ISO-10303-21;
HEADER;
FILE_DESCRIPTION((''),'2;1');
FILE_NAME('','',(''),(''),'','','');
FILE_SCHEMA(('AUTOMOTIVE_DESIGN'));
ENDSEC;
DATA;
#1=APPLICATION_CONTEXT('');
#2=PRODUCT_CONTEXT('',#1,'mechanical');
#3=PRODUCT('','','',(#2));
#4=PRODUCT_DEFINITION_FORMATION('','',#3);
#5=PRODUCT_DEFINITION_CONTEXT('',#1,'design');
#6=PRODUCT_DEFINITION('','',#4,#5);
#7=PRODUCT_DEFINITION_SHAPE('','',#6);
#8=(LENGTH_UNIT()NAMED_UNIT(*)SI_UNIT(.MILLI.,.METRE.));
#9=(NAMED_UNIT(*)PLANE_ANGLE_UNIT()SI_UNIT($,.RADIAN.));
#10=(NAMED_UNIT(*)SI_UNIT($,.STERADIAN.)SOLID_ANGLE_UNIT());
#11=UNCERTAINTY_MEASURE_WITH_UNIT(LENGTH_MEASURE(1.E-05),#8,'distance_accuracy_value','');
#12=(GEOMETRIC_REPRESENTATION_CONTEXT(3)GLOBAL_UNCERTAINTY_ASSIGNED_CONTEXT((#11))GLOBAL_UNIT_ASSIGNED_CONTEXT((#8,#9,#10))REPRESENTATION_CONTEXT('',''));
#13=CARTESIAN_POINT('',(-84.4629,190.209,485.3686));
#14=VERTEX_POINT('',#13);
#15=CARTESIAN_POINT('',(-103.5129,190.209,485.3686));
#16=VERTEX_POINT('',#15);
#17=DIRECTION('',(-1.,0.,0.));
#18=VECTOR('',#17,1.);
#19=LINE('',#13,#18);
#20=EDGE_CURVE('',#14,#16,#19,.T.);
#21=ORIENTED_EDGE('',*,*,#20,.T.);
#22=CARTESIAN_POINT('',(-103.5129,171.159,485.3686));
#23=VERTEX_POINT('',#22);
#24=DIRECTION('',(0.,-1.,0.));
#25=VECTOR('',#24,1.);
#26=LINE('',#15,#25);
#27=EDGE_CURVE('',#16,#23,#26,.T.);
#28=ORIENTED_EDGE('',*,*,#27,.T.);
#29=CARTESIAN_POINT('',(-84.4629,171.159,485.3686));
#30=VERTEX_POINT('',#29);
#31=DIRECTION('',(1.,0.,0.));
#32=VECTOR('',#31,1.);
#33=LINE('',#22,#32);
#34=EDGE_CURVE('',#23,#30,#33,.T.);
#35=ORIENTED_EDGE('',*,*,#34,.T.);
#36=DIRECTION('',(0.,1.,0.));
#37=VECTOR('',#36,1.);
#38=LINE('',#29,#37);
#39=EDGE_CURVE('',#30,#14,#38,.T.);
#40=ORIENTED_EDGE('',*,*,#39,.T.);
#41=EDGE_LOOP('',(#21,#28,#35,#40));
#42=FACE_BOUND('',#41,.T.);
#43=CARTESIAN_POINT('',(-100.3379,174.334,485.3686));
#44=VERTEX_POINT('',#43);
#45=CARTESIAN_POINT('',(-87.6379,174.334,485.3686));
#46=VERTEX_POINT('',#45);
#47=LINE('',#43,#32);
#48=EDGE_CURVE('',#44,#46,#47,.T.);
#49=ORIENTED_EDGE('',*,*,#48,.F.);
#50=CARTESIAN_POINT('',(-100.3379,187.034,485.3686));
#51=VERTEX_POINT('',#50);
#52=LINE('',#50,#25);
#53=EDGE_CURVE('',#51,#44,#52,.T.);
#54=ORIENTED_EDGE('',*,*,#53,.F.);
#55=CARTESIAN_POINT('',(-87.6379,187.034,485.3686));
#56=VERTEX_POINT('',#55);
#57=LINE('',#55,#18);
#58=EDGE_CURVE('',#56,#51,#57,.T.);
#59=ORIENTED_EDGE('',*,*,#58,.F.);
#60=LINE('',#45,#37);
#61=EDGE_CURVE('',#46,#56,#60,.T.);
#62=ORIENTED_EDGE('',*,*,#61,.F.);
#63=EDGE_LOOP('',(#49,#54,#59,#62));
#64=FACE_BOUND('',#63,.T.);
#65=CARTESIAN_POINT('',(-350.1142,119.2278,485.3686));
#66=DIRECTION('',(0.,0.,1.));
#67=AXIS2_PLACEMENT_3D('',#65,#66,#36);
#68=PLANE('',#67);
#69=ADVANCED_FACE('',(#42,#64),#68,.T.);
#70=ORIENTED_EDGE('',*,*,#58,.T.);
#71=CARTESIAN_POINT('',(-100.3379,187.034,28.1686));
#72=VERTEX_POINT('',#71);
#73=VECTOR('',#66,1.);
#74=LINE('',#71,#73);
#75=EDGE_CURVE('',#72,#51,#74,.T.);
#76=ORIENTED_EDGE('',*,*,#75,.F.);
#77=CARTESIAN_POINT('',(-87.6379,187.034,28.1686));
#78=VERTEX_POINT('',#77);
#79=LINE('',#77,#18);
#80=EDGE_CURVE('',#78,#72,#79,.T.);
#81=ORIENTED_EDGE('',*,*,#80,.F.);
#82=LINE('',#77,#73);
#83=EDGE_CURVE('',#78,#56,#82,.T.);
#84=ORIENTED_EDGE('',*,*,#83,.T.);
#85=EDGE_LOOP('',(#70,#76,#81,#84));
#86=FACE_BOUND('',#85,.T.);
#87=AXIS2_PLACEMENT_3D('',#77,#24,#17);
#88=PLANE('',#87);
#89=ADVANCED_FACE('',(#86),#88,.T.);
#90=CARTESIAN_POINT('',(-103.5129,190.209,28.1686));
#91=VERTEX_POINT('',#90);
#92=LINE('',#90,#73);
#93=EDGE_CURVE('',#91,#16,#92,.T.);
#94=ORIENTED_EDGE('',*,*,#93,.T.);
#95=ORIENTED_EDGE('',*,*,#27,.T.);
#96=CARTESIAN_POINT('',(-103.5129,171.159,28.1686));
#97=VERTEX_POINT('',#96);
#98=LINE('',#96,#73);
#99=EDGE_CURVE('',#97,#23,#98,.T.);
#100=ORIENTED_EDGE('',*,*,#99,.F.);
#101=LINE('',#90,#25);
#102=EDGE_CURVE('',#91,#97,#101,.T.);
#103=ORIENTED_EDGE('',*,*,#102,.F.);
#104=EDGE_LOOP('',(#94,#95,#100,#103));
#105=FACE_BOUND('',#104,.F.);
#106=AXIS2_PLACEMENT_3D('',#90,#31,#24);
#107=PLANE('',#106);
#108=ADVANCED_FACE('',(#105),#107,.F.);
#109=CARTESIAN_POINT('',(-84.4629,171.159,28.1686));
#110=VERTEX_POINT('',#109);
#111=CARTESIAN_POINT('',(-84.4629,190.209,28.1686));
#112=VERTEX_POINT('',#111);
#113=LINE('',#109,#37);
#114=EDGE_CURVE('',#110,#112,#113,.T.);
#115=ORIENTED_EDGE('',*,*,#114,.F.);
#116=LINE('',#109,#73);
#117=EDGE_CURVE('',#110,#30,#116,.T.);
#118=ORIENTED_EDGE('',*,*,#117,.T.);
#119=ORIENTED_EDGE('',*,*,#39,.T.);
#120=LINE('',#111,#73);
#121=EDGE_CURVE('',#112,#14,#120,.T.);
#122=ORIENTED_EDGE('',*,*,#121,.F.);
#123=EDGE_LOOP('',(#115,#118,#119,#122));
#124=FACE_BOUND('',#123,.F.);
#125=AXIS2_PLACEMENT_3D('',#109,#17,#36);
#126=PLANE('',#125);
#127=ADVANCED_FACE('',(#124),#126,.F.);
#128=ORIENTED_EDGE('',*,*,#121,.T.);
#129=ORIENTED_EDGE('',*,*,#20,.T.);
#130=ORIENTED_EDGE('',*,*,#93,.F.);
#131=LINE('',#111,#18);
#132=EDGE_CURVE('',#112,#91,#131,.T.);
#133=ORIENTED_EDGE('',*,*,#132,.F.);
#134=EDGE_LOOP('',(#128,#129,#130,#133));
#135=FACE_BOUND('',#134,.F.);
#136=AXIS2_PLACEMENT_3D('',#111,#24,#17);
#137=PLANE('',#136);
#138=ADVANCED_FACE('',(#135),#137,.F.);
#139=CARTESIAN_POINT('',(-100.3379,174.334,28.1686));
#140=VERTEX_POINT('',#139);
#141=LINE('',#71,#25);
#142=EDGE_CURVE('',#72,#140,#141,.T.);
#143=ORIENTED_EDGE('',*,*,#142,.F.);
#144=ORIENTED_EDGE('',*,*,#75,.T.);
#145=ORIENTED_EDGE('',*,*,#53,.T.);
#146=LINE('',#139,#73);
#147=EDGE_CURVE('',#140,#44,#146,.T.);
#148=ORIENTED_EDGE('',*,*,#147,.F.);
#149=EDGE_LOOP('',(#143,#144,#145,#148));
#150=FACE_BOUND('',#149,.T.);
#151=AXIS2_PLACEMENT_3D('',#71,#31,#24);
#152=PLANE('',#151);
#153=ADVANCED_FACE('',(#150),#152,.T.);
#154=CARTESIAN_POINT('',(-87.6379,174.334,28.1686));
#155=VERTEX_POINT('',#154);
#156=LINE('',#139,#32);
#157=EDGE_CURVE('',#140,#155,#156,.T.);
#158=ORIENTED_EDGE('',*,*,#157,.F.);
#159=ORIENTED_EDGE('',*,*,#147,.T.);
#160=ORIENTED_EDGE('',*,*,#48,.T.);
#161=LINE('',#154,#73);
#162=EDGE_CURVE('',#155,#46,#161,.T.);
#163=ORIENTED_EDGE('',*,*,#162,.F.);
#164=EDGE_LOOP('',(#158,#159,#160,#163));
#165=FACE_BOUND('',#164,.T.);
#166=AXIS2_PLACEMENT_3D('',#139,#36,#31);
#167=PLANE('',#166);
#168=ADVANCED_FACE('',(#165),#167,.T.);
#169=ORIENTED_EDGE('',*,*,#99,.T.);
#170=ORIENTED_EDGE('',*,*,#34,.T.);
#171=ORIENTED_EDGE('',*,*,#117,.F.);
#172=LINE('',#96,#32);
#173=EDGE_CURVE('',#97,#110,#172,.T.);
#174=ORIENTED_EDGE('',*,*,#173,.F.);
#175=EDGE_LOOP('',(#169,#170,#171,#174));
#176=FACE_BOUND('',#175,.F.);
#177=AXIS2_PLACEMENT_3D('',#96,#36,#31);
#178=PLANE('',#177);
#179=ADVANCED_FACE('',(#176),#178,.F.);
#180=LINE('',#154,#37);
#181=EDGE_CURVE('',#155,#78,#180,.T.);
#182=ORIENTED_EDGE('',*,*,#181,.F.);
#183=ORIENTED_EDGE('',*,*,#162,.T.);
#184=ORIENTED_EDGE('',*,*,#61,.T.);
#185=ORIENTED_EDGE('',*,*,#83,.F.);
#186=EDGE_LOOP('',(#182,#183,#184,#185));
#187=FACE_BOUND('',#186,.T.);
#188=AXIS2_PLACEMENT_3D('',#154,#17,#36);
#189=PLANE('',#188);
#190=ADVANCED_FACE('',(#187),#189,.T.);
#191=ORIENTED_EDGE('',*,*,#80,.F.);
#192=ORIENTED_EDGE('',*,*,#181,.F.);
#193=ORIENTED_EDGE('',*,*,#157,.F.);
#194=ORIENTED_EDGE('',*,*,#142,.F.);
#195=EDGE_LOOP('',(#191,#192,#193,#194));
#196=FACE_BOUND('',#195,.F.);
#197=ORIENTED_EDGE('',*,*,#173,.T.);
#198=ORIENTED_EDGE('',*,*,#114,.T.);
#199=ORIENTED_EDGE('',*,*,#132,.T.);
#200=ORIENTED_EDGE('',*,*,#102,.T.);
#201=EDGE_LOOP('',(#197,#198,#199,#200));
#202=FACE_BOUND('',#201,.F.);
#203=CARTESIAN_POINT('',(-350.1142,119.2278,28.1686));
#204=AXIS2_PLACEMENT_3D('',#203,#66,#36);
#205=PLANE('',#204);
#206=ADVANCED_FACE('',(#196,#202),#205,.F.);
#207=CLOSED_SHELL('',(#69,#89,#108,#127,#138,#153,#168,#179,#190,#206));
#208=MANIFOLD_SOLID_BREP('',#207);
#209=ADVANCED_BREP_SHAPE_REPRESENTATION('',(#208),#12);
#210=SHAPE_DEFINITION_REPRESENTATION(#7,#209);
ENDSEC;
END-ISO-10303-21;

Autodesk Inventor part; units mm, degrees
ref_plane "YZ Plane" through (0, 0, 0) normal (1, 0, 0) x (0, 1, 0)
ref_plane "XZ Plane" through (0, 0, 0) normal (0, 1, 0) x (-1, 0, 0)
ref_plane "XY Plane" through (0, 0, 0) normal (0, 0, 1) x (1, 0, 0)
ref_plane "Work Plane1" through (-350.1142, 119.2278, 28.1686) normal (0, 0, 1) x (0, 1, 0)
sketch "Sketch1" plane through (-350.1142, 119.2278, 28.1686) normal (0, 0, 1) x (0, 1, 0)
  line L0 (70.9812, -246.6013) -> (51.9312, -246.6013)
  line L1 (51.9312, -246.6013) -> (51.9312, -265.6513)
  line L2 (51.9312, -265.6513) -> (70.9812, -265.6513)
  line L3 (70.9812, -265.6513) -> (70.9812, -246.6013)
  line L4 (67.8062, -249.7763) -> (55.1062, -249.7763)
  line L5 (55.1062, -249.7763) -> (55.1062, -262.4763)
  line L6 (55.1062, -262.4763) -> (67.8062, -262.4763)
  line L7 (67.8062, -262.4763) -> (67.8062, -249.7763)
  point P0 (-119.2278, -350.1142)
  dimension "d0" = 19.05
  dimension "d1" = 19.05
  dimension "d2" = 3.175
extrude "Extrusion1" add sketch "Sketch1" along normal blind 457.2
properties part number "StaticForks"
